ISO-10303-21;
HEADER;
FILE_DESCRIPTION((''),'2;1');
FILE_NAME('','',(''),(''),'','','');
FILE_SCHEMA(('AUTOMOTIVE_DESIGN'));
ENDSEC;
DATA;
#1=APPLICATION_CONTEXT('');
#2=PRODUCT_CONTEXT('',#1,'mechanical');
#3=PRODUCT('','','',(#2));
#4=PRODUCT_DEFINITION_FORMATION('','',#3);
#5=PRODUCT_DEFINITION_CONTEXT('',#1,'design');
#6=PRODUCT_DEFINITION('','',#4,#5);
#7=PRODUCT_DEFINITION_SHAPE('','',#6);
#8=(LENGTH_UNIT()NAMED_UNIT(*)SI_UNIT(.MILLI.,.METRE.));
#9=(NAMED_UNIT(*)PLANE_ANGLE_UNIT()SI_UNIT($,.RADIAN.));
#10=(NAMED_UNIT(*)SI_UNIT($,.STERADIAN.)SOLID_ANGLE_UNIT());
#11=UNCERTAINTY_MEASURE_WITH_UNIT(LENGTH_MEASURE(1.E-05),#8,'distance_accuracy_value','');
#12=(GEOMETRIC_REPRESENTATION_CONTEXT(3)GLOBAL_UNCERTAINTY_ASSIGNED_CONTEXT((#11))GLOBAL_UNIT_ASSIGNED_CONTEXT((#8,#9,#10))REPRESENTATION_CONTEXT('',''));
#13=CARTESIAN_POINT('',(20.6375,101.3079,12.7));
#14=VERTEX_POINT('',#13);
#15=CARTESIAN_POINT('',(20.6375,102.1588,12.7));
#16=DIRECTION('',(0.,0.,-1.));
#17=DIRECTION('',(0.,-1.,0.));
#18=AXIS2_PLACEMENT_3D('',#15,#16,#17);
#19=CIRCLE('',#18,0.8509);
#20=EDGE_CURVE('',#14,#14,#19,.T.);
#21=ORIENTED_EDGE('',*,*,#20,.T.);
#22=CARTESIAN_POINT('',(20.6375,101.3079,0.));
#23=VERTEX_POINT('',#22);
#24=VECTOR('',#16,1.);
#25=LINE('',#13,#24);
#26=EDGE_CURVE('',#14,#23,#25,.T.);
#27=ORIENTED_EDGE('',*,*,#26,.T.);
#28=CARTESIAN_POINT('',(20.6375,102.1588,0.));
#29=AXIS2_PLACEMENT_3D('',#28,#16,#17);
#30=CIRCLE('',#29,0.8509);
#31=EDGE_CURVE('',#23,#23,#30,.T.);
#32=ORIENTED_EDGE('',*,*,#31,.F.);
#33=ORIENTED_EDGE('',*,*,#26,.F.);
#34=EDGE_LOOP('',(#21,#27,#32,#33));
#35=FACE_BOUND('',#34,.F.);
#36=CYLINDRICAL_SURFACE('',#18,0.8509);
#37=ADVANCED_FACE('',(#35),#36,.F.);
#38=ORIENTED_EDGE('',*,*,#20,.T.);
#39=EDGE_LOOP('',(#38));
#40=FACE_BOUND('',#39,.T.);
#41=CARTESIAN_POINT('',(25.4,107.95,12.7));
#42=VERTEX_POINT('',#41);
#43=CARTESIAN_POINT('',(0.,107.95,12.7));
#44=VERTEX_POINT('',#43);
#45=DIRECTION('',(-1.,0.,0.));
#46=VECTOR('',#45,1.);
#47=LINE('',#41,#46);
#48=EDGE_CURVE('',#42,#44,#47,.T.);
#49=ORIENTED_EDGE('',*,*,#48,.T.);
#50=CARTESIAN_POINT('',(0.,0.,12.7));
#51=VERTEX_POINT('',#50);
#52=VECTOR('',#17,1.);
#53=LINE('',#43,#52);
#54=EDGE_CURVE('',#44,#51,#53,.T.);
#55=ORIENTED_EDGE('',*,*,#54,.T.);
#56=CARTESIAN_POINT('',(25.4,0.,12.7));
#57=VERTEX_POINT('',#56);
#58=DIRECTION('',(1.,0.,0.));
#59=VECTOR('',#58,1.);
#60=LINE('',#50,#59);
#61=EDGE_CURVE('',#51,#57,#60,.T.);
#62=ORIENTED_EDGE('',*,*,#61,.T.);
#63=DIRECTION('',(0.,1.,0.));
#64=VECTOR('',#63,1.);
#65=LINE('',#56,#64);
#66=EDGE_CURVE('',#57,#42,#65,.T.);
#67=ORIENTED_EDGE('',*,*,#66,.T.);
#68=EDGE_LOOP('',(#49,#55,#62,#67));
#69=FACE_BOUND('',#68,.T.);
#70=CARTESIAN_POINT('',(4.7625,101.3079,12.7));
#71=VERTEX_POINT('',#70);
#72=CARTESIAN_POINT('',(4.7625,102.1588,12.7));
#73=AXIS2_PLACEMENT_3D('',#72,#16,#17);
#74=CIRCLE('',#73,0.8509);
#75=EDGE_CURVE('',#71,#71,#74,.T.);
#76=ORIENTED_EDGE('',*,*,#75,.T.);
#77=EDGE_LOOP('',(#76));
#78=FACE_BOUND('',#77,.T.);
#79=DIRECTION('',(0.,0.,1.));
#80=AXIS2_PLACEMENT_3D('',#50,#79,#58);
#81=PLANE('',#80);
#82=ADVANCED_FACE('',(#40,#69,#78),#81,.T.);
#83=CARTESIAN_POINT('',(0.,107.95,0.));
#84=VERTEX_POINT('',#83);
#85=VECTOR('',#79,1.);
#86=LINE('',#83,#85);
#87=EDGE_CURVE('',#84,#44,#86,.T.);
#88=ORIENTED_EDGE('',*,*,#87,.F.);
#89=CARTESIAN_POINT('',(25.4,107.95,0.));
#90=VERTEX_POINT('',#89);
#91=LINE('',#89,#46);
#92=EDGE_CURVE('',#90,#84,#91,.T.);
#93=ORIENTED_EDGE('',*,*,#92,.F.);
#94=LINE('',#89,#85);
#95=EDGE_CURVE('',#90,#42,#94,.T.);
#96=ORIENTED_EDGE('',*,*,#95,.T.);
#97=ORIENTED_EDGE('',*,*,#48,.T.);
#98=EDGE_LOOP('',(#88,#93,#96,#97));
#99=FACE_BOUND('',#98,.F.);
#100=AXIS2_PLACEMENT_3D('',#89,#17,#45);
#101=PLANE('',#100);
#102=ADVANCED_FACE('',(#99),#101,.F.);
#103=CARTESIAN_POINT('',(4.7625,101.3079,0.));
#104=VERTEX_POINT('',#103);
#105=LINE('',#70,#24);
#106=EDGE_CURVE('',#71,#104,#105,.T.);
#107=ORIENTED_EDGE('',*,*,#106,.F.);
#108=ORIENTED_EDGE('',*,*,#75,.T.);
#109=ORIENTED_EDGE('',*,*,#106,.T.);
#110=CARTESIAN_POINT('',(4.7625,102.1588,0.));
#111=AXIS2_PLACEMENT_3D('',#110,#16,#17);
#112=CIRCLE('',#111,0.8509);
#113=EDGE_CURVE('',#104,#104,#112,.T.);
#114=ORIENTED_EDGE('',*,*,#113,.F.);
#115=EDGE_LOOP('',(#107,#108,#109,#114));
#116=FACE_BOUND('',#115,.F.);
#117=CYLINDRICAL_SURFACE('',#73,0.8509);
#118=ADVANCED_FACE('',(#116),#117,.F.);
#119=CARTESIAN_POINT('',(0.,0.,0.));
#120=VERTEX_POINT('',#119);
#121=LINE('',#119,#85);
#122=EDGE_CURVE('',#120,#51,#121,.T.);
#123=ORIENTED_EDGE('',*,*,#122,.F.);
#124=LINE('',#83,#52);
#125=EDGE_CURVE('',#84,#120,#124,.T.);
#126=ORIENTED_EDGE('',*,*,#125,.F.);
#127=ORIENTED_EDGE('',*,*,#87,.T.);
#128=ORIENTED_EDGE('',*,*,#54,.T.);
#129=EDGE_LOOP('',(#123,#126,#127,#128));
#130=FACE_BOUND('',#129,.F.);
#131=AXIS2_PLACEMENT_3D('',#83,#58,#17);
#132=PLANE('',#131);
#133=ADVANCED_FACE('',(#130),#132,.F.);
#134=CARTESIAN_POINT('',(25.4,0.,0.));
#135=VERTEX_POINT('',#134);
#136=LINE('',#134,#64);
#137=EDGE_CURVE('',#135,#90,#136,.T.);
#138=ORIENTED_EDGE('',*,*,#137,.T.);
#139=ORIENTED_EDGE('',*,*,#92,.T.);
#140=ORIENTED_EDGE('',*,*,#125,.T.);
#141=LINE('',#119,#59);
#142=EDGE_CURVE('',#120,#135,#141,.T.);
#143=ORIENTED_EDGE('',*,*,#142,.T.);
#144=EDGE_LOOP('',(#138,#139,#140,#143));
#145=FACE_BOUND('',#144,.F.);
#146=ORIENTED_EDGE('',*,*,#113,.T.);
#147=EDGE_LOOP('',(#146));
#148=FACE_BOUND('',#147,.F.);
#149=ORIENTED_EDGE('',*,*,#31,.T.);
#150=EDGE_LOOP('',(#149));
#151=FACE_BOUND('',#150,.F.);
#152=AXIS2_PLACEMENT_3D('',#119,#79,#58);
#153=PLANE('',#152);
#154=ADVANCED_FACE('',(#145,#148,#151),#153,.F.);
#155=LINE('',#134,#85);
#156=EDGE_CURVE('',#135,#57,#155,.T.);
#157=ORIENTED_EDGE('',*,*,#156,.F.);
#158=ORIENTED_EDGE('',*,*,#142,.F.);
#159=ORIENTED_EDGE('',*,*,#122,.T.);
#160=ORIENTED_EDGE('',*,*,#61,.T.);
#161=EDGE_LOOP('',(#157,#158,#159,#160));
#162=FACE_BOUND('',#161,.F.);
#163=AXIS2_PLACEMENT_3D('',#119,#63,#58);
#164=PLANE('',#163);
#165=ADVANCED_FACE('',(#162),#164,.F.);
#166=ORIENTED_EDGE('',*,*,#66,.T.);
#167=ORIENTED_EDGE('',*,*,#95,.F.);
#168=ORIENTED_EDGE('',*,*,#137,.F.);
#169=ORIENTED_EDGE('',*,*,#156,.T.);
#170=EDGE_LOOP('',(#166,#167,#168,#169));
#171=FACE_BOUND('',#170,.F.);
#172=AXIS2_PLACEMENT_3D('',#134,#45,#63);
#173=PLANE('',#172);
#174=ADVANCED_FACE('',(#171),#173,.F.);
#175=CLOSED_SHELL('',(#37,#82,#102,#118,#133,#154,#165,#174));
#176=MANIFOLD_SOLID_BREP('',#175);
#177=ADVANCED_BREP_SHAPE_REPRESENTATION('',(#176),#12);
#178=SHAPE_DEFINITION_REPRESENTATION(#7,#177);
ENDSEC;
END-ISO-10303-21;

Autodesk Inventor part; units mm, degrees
ref_plane "YZ Plane" through (0, 0, 0) normal (1, 0, 0) x (0, 1, 0)
ref_plane "XZ Plane" through (0, 0, 0) normal (0, 1, 0) x (-1, 0, 0)
ref_plane "XY Plane" through (0, 0, 0) normal (0, 0, 1) x (1, 0, 0)
sketch "Sketch1" plane through (0, 0, 0) normal (0, 0, 1) x (1, 0, 0)
  line L0 (0, 0) -> (25.4, 0)
  line L1 (25.4, 0) -> (25.4, 107.95)
  line L2 (25.4, 107.95) -> (0, 107.95)
  line L3 (0, 107.95) -> (0, 0)
  dimension "d0" = 25.4
  dimension "d1" = 107.95
extrude "Extrusion1" add sketch "Sketch1" along normal blind 12.7
sketch "Sketch2" plane through (0, 0, 12.7) normal (0, 0, 1) x (1, 0, 0)
  line L0 (25.4, 107.95) -> (0, 107.95) projected
  line L1 (0, 107.95) -> (0, 0) projected
  point P0 (4.7625, 102.1588)
  point P1 (20.6375, 102.1588)
  dimension "d4" = 15.875
  dimension "d5" = 5.7912
  dimension "d6" = 5.7912
  dimension "d7" = 25.4
  dimension "d8" = 4.7625
hole "Hole1" at (20.6375, 102.1588, 12.7) at (4.7625, 102.1588, 12.7) direction (0, 0, -1) diameter 1.7018 end through all
equation "\"d6\" = d5"
equation "\"d8\" = -0.5 * d4 + 0.5 * d7"
properties part number "HingeBrace" material "Aluminum 6061"
